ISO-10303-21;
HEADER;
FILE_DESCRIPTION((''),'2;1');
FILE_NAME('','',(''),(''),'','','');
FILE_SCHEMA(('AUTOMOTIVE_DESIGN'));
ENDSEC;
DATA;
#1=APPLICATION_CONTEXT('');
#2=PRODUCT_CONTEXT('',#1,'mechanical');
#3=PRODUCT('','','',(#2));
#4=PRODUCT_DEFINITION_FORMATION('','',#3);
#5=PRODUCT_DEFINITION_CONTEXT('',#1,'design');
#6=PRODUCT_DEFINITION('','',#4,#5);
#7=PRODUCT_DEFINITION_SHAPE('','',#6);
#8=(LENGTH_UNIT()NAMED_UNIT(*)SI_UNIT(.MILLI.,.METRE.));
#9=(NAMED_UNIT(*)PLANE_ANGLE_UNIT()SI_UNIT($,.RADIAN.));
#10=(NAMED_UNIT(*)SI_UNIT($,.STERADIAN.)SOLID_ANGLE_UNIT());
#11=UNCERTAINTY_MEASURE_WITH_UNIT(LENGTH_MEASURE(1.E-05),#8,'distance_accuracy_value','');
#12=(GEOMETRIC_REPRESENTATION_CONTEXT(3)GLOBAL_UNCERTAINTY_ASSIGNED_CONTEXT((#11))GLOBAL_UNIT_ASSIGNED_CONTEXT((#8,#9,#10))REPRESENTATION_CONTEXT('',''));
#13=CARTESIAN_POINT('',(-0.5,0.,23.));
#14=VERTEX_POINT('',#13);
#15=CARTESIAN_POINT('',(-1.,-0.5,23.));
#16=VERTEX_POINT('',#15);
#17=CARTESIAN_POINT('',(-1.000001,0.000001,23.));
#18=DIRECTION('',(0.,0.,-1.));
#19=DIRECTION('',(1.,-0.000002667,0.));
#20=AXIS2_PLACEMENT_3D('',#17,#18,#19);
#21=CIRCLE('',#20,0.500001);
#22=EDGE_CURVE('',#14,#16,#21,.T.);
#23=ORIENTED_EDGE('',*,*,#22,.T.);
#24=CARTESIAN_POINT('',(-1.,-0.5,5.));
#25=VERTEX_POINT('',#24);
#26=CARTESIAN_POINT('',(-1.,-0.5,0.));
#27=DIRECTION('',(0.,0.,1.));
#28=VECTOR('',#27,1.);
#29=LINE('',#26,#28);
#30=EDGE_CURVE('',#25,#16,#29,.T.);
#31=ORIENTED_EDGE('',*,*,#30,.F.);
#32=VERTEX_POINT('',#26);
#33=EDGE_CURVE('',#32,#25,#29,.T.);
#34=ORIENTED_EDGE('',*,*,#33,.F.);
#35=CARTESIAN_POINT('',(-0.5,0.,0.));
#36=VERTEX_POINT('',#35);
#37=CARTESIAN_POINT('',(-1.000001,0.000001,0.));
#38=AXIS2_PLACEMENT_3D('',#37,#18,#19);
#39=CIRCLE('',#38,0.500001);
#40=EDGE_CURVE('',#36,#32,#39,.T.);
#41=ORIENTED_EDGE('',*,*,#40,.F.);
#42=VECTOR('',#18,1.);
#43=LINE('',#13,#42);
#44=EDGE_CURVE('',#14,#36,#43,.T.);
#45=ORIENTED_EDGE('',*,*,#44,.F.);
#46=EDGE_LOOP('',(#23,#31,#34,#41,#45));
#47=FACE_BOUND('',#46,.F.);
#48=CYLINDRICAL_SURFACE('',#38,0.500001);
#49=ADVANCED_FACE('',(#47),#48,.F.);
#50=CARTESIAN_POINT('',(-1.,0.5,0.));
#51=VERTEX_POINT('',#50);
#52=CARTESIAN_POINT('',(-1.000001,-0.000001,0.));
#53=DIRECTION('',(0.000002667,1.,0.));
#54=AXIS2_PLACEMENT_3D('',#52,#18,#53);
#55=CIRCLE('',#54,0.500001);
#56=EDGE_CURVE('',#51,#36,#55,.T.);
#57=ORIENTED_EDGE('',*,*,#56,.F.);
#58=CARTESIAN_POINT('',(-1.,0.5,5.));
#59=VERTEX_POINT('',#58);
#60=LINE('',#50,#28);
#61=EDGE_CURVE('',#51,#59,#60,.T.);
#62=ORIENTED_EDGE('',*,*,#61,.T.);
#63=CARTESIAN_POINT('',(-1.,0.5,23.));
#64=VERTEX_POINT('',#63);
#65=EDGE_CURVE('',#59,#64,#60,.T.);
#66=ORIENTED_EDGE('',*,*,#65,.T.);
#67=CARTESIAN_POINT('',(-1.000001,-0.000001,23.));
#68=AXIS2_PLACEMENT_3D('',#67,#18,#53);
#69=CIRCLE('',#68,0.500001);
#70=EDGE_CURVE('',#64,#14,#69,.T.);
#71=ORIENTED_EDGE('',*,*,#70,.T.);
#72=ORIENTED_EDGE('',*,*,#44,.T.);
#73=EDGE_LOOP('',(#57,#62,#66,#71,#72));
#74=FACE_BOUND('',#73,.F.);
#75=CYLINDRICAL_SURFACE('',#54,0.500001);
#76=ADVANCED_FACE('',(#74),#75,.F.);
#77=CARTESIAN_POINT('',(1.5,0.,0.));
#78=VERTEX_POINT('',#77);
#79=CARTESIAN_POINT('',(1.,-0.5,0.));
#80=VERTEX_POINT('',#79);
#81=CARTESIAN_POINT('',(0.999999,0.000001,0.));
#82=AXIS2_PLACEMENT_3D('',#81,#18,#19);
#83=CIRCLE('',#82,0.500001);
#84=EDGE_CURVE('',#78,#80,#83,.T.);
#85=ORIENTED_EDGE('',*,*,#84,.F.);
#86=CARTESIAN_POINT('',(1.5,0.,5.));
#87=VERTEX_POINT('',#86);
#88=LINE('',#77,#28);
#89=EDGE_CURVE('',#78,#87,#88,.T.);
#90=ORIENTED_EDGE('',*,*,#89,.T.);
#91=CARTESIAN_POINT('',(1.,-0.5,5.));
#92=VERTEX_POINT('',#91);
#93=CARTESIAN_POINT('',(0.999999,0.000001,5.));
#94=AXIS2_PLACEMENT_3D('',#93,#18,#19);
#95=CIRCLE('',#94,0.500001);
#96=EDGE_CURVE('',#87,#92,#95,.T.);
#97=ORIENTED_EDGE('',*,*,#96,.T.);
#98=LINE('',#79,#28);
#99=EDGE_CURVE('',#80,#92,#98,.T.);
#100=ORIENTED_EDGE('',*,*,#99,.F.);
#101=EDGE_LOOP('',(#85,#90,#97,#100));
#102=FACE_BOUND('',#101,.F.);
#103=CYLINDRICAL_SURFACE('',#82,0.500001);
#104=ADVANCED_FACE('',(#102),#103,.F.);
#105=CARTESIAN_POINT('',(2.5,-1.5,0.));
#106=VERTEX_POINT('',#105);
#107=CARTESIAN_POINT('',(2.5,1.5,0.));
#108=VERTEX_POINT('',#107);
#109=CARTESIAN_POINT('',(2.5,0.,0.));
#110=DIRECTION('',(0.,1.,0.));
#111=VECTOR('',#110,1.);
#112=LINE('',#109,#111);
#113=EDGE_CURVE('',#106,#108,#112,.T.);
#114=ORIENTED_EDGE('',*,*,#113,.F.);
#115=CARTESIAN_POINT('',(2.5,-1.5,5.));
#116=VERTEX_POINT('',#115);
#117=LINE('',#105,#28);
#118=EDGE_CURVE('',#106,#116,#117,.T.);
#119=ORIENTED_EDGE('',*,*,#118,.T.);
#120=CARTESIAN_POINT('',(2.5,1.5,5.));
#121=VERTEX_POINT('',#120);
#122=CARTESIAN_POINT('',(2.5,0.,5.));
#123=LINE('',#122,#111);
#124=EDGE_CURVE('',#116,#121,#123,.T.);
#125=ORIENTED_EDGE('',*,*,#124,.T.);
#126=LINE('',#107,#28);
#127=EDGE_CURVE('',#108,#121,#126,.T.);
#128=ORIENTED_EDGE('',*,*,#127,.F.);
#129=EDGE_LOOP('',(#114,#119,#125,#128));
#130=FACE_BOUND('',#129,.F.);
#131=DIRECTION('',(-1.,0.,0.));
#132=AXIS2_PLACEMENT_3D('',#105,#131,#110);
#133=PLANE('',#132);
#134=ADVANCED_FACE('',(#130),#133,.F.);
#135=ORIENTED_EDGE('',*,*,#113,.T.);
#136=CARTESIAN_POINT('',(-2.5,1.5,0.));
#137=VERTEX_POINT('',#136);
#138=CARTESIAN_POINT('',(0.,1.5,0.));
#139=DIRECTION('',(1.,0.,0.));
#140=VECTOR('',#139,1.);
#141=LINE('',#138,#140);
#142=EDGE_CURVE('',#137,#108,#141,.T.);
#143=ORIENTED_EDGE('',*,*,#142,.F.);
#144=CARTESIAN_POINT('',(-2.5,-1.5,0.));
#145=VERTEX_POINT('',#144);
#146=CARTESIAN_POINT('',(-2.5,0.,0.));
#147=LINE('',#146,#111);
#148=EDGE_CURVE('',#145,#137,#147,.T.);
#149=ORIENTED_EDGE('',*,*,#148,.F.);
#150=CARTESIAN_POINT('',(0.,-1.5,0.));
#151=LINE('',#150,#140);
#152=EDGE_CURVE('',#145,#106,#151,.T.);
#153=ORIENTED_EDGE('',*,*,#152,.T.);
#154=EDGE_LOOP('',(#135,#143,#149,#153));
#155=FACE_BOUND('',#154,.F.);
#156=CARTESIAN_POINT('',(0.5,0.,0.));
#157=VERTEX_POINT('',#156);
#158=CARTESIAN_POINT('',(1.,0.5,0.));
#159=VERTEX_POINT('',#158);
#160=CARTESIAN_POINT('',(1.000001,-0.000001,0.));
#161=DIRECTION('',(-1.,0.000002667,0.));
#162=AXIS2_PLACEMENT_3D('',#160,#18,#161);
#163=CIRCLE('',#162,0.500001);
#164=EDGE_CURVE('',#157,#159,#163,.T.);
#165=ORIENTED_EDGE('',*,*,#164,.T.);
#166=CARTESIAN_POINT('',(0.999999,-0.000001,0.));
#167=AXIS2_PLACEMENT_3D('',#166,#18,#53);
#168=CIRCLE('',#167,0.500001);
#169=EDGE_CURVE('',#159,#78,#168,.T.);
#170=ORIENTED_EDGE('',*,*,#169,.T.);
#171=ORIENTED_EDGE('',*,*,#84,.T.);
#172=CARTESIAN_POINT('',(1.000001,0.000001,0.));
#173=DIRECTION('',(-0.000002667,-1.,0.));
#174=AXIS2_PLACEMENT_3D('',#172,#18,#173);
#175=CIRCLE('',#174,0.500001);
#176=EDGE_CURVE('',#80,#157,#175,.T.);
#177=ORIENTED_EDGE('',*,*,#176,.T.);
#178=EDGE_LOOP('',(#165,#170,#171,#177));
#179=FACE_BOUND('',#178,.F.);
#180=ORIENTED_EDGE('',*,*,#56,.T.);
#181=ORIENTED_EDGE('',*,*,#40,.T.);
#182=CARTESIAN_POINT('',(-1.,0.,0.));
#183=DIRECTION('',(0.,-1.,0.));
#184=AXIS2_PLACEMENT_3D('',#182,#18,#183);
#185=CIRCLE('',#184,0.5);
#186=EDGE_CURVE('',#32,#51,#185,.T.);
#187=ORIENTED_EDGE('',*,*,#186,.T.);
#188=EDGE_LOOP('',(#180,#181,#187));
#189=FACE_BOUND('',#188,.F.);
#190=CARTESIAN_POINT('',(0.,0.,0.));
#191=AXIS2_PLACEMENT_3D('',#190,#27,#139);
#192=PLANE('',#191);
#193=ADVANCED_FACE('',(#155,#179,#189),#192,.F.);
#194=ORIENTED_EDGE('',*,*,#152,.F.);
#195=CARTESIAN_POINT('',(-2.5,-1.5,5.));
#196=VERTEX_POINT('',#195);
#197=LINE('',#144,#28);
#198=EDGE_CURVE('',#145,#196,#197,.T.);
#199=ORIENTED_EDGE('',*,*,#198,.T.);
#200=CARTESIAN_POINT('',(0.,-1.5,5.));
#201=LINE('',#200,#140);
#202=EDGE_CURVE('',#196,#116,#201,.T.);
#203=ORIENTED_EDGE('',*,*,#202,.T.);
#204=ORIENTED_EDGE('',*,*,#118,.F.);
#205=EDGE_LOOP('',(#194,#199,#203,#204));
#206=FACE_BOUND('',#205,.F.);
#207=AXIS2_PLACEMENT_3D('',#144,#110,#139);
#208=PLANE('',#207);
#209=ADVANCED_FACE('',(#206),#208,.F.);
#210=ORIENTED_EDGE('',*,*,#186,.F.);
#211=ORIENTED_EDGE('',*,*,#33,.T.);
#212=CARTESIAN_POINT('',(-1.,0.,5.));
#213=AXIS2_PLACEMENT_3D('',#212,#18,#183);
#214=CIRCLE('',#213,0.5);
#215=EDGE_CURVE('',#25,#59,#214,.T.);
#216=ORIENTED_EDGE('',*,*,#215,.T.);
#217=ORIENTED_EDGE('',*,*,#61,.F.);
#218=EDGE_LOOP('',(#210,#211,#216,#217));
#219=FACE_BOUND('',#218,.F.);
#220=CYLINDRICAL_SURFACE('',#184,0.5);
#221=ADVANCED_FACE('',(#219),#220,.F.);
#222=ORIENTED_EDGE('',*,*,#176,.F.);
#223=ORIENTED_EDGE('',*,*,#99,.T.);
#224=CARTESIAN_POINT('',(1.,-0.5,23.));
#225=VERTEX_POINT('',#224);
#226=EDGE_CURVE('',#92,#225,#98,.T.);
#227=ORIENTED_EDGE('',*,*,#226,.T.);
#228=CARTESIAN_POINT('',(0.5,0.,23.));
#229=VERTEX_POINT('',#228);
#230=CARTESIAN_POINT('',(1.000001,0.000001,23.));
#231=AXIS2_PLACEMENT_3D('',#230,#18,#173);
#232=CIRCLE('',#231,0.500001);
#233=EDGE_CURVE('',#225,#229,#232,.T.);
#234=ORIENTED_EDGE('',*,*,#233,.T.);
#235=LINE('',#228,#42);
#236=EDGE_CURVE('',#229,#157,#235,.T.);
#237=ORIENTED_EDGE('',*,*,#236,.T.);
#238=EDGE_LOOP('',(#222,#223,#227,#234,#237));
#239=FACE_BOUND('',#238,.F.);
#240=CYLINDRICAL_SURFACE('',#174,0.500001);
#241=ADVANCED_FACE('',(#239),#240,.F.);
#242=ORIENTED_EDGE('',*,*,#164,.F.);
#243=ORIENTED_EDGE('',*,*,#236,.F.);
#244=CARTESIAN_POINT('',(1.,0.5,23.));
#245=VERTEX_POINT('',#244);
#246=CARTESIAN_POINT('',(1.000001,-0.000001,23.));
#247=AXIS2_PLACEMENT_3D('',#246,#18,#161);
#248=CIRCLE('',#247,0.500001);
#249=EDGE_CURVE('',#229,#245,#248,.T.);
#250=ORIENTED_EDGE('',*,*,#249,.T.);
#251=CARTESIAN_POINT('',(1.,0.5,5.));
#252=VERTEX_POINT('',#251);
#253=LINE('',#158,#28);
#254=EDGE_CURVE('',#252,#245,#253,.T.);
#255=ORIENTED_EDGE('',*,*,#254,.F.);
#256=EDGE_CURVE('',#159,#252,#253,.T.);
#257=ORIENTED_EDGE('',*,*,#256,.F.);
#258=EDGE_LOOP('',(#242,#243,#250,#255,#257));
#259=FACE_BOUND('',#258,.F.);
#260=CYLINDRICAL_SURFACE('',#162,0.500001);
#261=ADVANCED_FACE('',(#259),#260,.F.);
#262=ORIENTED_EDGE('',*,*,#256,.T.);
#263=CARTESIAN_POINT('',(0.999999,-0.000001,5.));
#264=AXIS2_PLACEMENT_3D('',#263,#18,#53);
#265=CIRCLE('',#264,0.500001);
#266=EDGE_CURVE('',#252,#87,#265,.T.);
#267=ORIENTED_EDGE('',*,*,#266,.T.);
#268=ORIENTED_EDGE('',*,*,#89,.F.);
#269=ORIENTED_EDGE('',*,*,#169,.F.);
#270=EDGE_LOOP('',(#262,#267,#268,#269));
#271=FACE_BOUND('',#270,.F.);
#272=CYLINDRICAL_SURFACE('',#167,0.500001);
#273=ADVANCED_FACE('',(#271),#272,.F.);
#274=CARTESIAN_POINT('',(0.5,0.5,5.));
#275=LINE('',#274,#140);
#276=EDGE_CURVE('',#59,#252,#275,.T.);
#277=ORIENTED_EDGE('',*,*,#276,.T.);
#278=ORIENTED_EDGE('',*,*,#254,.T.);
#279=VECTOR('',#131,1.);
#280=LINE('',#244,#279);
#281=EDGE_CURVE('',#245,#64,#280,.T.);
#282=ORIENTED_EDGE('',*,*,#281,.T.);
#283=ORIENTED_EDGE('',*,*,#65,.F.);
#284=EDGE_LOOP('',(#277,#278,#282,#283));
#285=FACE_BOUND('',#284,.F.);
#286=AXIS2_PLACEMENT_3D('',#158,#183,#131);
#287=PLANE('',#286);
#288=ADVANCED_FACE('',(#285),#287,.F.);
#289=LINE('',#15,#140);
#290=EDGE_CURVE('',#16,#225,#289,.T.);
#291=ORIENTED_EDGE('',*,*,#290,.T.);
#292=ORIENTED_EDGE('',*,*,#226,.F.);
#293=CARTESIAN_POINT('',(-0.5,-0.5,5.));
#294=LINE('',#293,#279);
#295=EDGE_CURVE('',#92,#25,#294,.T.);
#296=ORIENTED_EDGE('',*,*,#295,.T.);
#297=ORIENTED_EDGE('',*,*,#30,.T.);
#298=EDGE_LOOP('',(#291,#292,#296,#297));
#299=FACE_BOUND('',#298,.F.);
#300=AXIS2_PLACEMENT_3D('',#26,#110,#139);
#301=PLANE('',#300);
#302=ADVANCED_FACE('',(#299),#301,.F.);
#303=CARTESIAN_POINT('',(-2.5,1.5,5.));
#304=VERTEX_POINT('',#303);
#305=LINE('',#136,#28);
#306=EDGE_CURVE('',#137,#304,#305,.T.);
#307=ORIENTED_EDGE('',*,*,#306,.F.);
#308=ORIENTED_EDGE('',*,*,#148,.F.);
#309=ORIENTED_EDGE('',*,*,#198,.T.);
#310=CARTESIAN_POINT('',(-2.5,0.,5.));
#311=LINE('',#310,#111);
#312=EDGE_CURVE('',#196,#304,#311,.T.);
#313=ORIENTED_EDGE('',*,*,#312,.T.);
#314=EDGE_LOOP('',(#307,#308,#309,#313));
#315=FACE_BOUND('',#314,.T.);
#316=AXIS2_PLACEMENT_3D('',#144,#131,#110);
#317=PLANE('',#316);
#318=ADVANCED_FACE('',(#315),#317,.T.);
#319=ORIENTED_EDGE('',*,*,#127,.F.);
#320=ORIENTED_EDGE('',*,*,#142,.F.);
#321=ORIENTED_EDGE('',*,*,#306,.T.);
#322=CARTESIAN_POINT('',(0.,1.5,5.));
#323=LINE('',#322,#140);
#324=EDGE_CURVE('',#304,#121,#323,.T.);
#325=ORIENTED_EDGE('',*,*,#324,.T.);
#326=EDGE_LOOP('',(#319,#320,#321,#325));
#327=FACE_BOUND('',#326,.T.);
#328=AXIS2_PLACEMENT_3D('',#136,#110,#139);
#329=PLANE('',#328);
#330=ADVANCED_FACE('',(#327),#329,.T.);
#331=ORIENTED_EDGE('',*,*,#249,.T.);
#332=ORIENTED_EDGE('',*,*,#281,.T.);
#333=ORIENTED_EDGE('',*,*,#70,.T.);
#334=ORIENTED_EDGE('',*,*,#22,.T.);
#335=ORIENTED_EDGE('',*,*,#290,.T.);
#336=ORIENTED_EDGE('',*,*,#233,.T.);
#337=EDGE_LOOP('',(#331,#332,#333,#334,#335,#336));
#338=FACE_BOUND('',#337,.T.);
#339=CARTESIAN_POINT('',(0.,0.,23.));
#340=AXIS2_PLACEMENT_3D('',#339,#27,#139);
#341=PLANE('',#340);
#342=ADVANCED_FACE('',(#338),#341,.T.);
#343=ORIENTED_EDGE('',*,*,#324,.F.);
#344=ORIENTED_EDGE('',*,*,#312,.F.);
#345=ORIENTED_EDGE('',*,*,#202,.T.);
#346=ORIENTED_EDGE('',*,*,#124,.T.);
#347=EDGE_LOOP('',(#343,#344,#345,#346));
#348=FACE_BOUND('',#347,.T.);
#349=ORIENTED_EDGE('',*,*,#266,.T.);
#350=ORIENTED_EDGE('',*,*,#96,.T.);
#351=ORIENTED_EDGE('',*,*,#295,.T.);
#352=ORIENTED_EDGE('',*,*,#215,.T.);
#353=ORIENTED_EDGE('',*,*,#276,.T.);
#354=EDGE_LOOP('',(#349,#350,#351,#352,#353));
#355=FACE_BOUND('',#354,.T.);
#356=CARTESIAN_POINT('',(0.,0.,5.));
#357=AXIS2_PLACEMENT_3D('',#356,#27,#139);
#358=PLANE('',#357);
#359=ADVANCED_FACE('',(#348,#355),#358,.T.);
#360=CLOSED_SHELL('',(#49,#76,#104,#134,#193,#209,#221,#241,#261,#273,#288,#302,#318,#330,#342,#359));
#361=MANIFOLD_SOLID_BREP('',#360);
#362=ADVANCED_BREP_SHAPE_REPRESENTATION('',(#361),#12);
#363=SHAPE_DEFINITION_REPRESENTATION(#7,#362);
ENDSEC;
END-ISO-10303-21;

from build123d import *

# Parameters (mm, degrees)
F0_W     = 5
F0_H     = 3
F1_DEPTH = 5
F2_DEPTH = 23


with BuildPart() as f1:
    # F0 (on Top) → F1 (new body)
    with BuildSketch(Plane.XY):
        Rectangle(F0_W, F0_H)
        with BuildLine():
            Line((-1, 0.5), (1, 0.5))
            ThreePointArc((1, 0.5), (1.353553, 0.353553), (1.5, 0))
            ThreePointArc((1.5, 0), (1.353553, -0.353553), (1, -0.5))
            Line((1, -0.5), (-1, -0.5))
            ThreePointArc((-1, -0.5), (-1.5, 0), (-1, 0.5))
        make_face(mode=Mode.SUBTRACT)
        with BuildLine():
            ThreePointArc((1, -0.5), (0.646447, -0.353553), (0.5, 0))
            ThreePointArc((0.5, 0), (0.646447, 0.353553), (1, 0.5))
            Line((1, 0.5), (-1, 0.5))
            ThreePointArc((-1, 0.5), (-0.646447, 0.353553), (-0.5, 0))
            ThreePointArc((-0.5, 0), (-0.646447, -0.353553), (-1, -0.5))
            Line((-1, -0.5), (1, -0.5))
        make_face()
    extrude(amount=F1_DEPTH)

    # F0 (on Top) → F2 (join)
    with BuildSketch(Plane.XY):
        with BuildLine():
            ThreePointArc((1, -0.5), (0.646447, -0.353553), (0.5, 0))
            ThreePointArc((0.5, 0), (0.646447, 0.353553), (1, 0.5))
            Line((1, 0.5), (-1, 0.5))
            ThreePointArc((-1, 0.5), (-0.646447, 0.353553), (-0.5, 0))
            ThreePointArc((-0.5, 0), (-0.646447, -0.353553), (-1, -0.5))
            Line((-1, -0.5), (1, -0.5))
        make_face()
    extrude(amount=F2_DEPTH)


solid = f1.part
